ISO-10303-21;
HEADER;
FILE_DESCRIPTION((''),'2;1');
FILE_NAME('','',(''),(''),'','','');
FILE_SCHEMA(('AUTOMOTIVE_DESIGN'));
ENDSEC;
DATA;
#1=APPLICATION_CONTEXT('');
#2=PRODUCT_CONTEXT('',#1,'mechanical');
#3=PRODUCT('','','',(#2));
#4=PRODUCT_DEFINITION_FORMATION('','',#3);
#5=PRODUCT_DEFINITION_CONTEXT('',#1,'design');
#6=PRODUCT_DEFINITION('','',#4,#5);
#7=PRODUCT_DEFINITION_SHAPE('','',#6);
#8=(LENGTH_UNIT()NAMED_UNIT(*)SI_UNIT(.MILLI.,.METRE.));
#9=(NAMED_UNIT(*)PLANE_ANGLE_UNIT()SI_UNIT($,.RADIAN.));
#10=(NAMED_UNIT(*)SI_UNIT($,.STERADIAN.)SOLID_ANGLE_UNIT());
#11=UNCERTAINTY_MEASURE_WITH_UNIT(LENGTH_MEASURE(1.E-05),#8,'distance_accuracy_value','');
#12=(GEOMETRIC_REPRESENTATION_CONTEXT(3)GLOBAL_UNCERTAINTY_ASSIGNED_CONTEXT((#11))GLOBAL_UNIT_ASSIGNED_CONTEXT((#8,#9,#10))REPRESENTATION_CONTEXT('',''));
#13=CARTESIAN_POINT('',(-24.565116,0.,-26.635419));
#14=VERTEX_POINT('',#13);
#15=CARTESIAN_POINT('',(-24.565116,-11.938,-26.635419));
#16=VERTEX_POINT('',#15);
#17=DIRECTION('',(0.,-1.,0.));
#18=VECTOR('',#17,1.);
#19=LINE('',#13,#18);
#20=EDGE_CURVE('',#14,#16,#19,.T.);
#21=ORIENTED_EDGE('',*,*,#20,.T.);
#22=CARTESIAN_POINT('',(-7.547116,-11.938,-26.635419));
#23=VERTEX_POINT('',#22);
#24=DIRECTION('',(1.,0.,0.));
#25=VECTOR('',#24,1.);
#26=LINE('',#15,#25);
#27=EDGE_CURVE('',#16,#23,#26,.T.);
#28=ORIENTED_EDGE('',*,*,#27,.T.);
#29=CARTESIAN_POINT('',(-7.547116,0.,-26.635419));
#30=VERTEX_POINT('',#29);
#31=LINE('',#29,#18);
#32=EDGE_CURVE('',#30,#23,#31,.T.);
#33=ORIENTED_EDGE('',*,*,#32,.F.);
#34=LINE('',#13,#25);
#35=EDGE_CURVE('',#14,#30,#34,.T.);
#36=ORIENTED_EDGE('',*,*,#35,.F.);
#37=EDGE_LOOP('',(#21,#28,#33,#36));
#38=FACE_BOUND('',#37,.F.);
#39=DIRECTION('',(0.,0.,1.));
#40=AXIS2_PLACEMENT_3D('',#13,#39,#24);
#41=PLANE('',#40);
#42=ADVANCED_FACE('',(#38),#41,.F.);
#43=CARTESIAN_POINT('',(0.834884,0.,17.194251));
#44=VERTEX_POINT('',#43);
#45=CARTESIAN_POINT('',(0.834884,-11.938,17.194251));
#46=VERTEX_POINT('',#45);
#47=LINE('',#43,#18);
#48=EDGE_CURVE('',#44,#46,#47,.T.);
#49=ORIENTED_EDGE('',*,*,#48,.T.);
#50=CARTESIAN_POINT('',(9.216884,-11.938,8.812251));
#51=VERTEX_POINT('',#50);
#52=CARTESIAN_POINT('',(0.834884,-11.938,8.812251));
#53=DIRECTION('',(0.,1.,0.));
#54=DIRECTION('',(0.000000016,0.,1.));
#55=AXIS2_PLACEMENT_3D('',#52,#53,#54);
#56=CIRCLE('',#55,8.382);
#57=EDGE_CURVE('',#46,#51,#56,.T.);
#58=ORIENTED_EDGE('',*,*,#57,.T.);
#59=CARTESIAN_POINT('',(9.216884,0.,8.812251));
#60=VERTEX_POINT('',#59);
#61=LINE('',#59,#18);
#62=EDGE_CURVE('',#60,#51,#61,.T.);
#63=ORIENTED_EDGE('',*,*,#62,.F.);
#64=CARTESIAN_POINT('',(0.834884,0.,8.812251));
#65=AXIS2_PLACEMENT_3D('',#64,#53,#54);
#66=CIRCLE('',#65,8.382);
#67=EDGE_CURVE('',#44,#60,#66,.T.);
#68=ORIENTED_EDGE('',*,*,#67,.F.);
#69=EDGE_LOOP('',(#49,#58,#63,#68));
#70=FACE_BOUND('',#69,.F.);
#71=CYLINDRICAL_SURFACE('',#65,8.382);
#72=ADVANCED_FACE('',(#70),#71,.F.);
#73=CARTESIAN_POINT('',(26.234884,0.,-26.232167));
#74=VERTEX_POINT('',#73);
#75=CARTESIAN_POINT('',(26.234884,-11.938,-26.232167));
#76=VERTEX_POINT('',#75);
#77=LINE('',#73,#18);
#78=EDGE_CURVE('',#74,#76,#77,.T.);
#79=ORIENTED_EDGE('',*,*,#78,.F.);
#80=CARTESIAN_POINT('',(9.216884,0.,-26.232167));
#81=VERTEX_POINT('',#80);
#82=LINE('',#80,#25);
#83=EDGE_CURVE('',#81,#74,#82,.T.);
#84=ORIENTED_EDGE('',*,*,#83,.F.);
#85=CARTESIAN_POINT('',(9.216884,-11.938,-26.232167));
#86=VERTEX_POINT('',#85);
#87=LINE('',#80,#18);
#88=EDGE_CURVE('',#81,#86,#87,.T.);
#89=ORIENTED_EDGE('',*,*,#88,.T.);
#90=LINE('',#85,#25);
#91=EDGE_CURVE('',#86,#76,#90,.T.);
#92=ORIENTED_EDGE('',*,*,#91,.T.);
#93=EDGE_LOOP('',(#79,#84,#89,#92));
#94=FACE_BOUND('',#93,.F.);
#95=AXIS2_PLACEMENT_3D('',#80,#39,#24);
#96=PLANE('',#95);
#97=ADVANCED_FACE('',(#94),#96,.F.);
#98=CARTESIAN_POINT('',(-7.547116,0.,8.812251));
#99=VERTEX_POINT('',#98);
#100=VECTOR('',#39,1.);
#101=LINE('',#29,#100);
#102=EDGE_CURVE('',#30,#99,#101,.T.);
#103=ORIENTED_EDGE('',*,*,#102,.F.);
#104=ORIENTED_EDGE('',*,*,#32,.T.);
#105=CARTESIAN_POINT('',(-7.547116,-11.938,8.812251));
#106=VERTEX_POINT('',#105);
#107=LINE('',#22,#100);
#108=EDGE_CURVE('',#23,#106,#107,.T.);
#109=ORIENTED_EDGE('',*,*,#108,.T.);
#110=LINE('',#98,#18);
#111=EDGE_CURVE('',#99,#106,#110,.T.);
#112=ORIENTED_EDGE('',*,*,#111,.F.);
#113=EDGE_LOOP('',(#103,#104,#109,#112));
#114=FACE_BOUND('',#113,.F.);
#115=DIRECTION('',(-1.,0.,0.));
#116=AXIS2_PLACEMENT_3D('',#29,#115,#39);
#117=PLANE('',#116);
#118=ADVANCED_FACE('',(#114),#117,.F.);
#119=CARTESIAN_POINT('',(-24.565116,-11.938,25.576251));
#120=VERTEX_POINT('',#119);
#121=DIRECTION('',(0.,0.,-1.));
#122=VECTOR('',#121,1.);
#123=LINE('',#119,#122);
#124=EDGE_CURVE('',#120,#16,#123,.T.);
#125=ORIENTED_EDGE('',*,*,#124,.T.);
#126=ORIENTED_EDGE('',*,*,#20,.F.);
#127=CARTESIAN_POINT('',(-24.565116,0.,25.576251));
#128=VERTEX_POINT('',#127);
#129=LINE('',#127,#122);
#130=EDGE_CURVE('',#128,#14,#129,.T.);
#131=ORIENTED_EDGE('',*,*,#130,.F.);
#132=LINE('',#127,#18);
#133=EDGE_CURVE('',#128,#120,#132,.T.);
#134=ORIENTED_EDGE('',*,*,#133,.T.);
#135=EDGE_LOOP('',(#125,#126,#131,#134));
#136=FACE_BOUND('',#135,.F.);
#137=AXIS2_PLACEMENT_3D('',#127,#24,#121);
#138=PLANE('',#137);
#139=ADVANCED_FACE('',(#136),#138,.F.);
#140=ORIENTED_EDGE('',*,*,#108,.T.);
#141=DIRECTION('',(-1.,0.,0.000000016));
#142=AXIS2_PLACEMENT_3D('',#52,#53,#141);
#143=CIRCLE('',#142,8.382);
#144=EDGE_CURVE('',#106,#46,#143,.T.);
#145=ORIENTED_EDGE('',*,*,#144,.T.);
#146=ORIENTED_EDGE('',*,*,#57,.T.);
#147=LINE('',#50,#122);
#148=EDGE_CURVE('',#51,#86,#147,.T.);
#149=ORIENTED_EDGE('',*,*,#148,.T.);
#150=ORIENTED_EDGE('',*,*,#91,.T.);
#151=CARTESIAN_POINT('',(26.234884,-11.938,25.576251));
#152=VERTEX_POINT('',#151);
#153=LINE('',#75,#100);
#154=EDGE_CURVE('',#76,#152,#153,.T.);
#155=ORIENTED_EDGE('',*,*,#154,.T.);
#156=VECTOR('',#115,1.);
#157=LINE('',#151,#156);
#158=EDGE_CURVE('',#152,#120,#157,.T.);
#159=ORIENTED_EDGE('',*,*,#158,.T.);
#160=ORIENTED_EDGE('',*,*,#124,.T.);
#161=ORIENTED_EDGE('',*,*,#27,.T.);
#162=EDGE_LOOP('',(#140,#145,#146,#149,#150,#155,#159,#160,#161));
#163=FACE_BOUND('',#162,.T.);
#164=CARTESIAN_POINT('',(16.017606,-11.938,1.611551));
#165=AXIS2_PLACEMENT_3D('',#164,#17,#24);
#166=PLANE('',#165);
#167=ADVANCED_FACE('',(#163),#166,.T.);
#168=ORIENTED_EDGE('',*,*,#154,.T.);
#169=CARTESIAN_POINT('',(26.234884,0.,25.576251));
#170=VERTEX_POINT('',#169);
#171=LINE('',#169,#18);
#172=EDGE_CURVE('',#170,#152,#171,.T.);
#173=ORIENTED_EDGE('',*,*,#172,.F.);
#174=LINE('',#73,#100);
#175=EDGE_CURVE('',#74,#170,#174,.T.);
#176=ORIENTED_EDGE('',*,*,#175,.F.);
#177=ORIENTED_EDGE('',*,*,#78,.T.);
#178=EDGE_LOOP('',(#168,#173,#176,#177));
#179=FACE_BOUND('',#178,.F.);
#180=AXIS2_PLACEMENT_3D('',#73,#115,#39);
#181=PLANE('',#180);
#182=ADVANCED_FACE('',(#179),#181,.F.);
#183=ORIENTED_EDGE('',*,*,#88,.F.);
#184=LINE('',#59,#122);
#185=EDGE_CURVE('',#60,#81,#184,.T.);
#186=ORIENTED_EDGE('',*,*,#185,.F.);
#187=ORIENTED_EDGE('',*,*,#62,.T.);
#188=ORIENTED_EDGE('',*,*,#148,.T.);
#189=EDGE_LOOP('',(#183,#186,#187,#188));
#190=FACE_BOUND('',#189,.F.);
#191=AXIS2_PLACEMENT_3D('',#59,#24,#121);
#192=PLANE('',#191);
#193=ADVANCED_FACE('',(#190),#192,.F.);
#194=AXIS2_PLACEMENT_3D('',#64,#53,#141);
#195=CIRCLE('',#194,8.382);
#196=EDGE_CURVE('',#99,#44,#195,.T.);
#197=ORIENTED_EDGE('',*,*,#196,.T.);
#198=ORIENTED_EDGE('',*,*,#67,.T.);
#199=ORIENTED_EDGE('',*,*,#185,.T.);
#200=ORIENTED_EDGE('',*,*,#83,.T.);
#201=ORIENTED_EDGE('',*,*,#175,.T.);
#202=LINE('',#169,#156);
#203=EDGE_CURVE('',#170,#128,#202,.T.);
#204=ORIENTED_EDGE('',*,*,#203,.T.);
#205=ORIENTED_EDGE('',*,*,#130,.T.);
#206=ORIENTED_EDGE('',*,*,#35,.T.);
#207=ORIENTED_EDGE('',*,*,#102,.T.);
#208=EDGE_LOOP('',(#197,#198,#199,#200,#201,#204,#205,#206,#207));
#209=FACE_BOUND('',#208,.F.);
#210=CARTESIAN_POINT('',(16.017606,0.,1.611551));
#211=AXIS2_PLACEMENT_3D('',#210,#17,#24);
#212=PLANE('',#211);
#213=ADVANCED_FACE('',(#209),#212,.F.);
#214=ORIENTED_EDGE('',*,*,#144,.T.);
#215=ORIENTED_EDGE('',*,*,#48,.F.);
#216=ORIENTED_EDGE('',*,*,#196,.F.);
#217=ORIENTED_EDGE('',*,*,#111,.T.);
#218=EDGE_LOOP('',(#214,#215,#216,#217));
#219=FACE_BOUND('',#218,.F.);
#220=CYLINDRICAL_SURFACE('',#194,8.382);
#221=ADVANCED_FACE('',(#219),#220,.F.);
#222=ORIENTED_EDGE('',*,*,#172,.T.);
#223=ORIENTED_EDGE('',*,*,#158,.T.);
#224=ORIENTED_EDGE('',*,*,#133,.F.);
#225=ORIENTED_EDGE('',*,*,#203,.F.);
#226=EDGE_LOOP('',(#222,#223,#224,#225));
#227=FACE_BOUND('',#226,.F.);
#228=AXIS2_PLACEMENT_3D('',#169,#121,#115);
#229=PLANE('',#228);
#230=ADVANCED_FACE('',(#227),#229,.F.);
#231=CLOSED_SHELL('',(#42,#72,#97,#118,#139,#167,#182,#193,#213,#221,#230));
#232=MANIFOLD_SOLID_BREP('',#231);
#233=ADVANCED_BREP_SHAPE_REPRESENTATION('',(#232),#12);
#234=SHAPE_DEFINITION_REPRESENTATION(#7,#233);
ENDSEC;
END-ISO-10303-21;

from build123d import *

# Parameters (mm, degrees)
F1_DEPTH = 11.938


with BuildPart() as f1:
    # F0 (on Front) → F1 (new body)
    with BuildSketch(Plane.XZ):
        with BuildLine():
            Line((26.234884, 25.576251), (0.834884, 25.576251))
            Line((0.834884, 25.576251), (0.834884, 17.194251))
            ThreePointArc((0.834884, 17.194251), (6.761853, 14.73922), (9.216884, 8.812251))
            Line((9.216884, 8.812251), (9.216884, -26.232167))
            Line((9.216884, -26.232167), (26.234884, -26.232167))
            Line((26.234884, -26.232167), (26.234884, 25.576251))
        make_face()
        with BuildLine():
            Line((0.834884, 25.576251), (-24.565116, 25.576251))
            Line((-24.565116, 25.576251), (-24.565116, -26.635419))
            Line((-24.565116, -26.635419), (-7.547116, -26.635419))
            Line((-7.547116, -26.635419), (-7.547116, 8.812251))
            ThreePointArc((-7.547116, 8.812251), (-5.092085, 14.73922), (0.834884, 17.194251))
            Line((0.834884, 17.194251), (0.834884, 25.576251))
        make_face()
    extrude(amount=F1_DEPTH)


solid = f1.part
